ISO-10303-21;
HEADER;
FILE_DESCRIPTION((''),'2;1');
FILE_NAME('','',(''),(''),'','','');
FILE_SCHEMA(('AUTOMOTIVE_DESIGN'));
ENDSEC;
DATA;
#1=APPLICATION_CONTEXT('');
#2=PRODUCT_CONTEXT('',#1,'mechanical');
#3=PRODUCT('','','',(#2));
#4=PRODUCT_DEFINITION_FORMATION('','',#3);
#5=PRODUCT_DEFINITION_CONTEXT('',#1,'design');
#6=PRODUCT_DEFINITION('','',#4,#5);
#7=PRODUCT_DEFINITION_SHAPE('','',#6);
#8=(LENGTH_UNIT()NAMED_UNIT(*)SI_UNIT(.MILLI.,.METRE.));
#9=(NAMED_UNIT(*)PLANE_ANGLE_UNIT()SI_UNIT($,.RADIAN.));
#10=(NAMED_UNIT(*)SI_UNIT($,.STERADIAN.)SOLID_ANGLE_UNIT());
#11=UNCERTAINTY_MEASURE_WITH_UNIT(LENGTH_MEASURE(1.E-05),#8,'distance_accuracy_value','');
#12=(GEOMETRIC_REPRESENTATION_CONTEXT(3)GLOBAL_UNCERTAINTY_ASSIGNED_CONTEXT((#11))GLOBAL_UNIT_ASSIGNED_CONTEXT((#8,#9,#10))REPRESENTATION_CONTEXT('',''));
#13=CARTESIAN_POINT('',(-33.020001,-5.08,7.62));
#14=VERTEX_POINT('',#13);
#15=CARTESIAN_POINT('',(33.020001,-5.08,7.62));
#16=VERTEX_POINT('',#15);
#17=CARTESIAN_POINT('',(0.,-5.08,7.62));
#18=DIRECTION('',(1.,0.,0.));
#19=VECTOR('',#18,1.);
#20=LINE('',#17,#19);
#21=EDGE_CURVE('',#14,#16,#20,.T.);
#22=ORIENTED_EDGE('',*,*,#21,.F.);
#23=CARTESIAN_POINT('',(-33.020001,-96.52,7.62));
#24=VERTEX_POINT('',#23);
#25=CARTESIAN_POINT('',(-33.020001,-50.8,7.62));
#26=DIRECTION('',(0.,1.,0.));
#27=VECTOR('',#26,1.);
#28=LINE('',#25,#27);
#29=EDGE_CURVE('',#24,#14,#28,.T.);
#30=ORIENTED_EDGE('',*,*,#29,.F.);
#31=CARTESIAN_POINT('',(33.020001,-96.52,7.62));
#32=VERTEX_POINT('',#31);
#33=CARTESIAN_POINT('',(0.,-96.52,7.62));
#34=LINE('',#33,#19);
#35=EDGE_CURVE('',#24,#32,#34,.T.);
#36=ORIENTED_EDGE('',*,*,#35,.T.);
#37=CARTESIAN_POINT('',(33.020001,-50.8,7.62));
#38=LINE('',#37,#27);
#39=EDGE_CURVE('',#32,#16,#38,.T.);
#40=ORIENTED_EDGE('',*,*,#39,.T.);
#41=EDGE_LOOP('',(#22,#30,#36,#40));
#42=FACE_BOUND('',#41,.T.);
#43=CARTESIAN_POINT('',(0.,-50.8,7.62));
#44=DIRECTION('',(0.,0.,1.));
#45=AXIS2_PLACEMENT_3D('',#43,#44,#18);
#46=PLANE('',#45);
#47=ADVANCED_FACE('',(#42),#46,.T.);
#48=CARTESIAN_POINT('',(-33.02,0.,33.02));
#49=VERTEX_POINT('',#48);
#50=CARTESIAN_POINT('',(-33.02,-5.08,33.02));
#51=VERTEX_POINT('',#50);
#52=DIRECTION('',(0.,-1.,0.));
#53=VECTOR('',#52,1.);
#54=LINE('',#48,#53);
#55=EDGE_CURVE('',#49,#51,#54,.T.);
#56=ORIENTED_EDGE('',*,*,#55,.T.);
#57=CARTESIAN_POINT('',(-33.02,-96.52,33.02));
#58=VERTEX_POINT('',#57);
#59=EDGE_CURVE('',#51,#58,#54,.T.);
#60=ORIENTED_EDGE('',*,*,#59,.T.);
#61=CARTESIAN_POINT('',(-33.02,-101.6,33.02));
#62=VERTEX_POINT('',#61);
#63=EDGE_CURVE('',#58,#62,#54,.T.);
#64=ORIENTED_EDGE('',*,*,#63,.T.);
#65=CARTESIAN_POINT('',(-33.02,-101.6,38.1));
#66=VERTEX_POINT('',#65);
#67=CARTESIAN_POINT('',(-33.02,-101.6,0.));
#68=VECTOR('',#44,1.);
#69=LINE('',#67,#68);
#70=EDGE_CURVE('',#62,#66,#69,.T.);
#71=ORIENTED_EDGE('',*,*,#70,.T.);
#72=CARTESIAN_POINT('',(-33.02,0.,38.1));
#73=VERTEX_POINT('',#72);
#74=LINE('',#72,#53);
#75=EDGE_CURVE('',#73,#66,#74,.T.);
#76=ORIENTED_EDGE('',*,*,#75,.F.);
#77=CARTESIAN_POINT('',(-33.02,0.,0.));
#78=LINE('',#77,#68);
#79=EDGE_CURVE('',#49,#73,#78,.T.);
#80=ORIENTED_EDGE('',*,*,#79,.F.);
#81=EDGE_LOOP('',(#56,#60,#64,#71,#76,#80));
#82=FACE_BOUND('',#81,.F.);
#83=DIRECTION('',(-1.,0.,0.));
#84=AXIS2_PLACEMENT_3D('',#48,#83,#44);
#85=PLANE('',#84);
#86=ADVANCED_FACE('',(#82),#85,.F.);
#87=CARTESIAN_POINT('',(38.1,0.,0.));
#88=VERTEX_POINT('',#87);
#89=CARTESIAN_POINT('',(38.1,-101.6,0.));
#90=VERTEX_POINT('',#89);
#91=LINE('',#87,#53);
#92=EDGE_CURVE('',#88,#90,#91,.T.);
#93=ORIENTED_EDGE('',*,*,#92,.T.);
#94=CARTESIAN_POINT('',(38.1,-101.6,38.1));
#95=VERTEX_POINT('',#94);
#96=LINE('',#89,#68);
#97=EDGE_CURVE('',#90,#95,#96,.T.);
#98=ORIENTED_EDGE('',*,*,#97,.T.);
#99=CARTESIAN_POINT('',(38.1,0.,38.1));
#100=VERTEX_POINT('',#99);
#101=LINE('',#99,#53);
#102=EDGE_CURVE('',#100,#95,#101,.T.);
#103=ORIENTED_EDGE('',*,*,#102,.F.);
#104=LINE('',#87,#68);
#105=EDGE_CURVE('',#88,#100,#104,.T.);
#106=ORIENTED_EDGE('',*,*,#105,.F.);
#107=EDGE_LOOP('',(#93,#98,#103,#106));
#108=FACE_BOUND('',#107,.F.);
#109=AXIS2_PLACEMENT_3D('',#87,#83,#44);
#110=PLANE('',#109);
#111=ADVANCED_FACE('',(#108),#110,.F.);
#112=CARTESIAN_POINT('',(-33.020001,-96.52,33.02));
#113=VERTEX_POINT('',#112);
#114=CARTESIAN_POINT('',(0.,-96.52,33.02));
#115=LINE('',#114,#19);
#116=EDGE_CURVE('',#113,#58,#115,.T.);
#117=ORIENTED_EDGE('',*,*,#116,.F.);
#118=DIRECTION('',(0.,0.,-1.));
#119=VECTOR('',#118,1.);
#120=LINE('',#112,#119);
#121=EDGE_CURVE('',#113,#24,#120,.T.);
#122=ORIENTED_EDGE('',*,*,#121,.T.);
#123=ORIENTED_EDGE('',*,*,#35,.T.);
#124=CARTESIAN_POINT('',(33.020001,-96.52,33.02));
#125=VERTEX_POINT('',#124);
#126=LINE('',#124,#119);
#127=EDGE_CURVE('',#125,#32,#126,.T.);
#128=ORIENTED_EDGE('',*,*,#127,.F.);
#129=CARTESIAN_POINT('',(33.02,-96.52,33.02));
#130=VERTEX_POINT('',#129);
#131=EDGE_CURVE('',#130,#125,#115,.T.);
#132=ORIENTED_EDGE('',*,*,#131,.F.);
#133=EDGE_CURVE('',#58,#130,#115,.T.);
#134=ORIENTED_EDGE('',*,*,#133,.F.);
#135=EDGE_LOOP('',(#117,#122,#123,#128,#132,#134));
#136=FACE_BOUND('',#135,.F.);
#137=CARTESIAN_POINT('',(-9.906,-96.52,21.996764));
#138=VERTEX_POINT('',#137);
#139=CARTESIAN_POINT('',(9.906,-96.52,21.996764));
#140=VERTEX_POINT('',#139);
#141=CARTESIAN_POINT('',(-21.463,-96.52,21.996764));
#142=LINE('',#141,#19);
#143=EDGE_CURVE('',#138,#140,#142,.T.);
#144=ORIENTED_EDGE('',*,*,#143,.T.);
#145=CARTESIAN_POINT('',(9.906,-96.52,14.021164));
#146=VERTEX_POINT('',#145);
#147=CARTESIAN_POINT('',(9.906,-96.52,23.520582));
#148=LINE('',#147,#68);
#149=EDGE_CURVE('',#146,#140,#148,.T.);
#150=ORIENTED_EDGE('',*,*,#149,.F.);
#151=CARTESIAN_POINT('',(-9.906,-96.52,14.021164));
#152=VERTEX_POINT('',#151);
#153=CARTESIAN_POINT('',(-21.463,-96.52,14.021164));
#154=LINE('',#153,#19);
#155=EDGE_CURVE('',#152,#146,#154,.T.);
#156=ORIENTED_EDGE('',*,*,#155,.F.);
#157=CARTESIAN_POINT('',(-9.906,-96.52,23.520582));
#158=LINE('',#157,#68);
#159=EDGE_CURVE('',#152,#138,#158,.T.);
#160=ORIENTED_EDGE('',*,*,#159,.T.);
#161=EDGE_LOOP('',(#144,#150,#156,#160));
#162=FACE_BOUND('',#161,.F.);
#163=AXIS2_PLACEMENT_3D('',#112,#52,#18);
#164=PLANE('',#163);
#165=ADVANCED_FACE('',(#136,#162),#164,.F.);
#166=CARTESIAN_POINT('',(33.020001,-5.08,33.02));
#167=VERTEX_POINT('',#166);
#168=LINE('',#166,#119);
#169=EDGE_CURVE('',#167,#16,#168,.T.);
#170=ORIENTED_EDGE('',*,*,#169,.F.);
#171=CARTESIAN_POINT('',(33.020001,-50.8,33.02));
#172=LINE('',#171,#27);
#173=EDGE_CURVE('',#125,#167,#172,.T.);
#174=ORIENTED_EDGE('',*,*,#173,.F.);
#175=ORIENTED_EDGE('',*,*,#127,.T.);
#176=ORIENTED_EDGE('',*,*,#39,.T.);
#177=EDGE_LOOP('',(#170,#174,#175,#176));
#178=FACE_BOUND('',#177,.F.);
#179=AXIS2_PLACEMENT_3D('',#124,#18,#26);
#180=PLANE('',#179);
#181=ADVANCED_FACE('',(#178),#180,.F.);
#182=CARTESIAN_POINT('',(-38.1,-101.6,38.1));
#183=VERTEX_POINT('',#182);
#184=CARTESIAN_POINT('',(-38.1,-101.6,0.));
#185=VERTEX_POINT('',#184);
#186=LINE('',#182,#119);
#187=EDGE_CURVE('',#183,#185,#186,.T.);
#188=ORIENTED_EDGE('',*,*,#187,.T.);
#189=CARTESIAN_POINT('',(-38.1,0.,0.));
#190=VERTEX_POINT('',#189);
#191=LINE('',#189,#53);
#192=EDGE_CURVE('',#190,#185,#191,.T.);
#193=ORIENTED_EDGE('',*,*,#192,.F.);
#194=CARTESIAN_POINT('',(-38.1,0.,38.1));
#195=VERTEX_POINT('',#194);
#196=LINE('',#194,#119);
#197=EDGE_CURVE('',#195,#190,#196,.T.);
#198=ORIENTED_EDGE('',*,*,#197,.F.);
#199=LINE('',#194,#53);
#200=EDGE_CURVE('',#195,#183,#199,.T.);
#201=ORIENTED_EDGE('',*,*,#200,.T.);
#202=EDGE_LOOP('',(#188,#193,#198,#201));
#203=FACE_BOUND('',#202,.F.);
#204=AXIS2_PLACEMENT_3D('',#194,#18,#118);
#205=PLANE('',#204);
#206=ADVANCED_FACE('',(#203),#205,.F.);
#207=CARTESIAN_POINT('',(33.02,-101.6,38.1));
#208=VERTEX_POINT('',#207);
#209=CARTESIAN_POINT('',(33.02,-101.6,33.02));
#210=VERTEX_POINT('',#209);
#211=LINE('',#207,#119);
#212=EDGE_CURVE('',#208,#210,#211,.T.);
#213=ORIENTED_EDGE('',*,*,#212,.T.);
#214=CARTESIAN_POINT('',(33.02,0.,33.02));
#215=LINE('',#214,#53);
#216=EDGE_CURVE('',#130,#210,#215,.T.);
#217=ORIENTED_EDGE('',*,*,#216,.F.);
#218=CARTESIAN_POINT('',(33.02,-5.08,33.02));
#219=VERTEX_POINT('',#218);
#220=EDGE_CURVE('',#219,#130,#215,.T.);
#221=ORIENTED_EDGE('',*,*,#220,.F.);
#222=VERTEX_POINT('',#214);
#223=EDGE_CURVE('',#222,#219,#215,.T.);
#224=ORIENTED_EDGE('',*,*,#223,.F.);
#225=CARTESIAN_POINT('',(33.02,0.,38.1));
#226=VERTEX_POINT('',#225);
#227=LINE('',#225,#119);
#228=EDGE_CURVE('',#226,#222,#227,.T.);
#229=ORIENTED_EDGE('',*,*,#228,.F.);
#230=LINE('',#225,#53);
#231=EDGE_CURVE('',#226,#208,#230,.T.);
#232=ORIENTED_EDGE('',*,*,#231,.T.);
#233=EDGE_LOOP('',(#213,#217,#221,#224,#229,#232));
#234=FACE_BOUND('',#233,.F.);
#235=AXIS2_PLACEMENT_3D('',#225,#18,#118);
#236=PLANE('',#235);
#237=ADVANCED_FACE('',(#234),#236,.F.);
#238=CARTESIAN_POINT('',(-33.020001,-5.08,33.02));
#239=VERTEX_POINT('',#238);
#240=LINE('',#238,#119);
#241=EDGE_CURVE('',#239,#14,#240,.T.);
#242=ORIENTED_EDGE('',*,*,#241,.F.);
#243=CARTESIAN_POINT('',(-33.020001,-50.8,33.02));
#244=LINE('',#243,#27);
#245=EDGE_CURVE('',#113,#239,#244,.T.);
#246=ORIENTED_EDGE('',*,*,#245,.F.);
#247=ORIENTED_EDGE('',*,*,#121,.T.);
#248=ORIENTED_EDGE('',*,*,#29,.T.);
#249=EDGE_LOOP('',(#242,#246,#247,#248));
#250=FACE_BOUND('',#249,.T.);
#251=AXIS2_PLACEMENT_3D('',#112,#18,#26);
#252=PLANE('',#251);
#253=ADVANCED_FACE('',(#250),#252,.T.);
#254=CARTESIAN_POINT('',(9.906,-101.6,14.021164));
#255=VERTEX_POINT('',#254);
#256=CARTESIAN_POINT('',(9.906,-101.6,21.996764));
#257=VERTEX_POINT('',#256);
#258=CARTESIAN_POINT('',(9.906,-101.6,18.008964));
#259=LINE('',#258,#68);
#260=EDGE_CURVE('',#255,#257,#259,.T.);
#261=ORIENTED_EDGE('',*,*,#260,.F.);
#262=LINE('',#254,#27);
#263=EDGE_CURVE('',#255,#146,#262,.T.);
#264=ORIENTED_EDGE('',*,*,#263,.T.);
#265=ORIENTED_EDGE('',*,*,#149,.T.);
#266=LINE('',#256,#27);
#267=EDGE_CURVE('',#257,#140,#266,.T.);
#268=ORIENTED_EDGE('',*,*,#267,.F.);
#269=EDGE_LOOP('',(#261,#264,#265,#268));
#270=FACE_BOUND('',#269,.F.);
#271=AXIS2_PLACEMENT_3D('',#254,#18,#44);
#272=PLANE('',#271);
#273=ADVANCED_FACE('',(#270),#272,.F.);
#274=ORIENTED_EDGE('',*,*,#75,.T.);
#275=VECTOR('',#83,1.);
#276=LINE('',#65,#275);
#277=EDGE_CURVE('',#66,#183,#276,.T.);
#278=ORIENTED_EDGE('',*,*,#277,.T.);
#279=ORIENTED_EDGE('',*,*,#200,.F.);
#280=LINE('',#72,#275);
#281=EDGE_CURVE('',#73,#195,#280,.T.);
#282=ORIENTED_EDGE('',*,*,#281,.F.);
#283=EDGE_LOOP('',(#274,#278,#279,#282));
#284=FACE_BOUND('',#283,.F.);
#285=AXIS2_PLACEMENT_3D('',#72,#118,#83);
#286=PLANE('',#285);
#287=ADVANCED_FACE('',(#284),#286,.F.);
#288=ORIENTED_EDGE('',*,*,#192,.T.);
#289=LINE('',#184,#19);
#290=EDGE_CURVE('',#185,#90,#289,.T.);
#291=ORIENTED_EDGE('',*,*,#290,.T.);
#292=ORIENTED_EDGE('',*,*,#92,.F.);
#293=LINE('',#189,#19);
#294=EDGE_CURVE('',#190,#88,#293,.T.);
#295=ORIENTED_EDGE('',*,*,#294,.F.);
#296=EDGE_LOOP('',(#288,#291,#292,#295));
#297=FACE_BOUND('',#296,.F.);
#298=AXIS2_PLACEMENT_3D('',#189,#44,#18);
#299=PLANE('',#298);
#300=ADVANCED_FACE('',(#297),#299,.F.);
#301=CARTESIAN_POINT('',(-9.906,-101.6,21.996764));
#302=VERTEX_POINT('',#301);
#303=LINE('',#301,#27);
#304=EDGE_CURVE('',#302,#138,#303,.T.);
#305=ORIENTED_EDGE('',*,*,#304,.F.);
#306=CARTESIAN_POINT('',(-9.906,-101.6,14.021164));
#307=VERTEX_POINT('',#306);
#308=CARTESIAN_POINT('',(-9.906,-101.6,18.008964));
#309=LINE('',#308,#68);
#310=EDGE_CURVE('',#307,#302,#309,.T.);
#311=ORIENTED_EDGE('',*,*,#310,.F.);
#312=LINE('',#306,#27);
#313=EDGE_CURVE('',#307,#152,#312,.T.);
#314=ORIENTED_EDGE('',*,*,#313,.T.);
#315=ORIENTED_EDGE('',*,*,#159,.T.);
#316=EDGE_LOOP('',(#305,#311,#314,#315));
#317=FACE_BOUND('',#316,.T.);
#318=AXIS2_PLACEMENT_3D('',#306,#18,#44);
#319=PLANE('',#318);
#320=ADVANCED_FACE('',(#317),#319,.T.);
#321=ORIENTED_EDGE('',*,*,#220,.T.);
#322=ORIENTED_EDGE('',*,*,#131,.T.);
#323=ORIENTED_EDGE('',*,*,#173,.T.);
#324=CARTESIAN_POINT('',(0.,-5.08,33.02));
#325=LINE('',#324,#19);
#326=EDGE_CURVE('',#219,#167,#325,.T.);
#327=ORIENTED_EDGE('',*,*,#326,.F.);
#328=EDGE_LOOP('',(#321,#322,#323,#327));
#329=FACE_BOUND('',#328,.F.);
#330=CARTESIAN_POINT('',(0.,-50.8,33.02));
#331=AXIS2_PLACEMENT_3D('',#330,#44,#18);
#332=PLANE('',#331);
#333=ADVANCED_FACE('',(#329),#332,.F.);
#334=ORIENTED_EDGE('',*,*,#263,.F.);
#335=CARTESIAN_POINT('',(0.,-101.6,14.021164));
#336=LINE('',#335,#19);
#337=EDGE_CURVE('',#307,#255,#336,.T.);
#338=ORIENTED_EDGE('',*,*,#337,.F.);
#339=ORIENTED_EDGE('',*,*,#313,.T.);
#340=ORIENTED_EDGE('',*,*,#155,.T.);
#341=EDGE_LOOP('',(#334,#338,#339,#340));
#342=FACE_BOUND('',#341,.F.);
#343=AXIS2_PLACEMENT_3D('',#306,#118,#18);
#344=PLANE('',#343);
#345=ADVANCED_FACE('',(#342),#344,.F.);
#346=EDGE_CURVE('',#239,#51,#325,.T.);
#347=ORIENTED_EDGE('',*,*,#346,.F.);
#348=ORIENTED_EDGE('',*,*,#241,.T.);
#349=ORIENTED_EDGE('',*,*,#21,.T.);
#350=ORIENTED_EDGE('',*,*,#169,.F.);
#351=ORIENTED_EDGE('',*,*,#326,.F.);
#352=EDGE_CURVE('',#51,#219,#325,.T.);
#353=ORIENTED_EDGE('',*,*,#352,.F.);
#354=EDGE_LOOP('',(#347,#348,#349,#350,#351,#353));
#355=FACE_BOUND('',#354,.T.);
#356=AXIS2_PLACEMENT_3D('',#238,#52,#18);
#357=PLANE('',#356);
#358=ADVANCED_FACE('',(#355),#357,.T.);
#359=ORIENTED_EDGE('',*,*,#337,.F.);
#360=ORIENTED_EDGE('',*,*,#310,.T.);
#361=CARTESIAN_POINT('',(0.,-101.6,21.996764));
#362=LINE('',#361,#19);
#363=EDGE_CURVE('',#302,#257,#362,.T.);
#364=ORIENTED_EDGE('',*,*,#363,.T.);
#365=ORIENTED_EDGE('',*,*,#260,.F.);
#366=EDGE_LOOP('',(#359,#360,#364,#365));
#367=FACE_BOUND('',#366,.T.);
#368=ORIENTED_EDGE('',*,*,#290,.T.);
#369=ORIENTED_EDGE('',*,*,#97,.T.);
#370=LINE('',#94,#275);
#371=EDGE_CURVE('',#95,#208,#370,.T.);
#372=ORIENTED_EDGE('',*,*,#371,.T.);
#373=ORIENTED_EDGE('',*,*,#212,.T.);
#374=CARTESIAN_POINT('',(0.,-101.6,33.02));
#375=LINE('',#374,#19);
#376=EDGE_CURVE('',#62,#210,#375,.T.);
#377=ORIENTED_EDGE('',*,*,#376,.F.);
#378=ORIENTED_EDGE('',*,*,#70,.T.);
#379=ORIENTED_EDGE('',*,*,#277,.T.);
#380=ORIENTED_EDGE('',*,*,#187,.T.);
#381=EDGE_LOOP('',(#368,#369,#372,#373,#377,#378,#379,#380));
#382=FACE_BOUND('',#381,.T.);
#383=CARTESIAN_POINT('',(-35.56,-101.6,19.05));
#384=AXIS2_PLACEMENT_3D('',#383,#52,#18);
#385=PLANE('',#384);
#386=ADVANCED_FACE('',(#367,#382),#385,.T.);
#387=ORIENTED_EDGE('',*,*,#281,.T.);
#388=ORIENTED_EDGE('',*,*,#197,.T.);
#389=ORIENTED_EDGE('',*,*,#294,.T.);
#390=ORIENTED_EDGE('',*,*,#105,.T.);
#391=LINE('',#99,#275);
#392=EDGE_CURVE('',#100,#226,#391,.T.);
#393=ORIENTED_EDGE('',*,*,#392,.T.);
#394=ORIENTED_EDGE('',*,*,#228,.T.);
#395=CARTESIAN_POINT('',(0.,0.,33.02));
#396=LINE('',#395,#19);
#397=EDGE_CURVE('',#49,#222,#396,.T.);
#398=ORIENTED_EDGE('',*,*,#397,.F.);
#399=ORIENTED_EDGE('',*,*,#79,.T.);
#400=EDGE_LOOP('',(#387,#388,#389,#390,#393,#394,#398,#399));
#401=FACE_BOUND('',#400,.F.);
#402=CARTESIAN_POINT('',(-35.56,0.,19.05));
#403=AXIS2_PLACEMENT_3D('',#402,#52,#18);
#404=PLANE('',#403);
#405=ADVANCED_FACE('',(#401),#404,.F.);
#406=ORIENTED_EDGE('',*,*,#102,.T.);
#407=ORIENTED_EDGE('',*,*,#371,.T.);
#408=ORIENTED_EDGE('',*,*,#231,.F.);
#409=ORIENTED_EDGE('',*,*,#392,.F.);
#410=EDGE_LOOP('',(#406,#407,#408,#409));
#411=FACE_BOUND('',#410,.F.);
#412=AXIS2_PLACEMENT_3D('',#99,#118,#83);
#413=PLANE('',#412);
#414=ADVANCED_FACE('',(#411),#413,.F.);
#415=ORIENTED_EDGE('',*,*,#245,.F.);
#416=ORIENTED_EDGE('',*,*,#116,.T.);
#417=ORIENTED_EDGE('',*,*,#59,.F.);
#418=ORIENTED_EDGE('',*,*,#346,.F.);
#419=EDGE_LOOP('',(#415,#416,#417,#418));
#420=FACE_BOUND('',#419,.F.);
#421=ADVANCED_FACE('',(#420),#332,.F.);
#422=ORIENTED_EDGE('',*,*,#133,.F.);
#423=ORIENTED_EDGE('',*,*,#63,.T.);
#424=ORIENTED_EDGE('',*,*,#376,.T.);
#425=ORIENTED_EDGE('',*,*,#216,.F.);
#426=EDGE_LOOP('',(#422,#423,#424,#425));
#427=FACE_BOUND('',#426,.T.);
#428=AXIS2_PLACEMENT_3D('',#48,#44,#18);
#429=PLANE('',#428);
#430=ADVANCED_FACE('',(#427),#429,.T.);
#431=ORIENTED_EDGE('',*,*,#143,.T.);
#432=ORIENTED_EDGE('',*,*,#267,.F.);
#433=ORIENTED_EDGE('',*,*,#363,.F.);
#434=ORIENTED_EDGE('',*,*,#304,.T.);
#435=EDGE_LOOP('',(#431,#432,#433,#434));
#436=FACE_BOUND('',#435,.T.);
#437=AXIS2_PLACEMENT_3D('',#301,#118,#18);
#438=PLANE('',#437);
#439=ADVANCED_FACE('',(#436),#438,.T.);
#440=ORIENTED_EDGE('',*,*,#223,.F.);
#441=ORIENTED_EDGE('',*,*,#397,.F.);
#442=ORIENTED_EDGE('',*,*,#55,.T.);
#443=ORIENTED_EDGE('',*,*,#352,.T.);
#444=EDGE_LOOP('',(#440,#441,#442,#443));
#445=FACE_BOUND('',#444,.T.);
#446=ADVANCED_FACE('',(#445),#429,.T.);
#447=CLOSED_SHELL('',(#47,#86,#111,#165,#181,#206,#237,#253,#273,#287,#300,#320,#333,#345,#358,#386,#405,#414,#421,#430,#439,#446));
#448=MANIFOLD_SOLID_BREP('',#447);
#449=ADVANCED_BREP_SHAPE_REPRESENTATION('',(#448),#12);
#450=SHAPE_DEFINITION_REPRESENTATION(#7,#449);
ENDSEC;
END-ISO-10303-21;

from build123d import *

# Parameters (mm, degrees)
F0_W     = 66.04
F0_H     = 27.94
F1_DEPTH = 101.6
F2_W     = 66.040002
F2_H     = 91.44
F3_DEPTH = 25.4
F4_W     = 19.812
F4_H     = 7.9756
F5_DEPTH = 12.7


with BuildPart() as f1:
    # F0 (on Front) → F1 (new body)
    with BuildSketch(Plane.XZ):
        Polygon((-38.1, 0), (-33.02, 0), (-33.02, 5.08), (-33.02, 33.02), (-33.02, 38.1), (-38.1, 38.1), align=None)
        Polygon((-33.02, 0), (0, 0), (33.02, 0), (33.02, 5.08), (-33.02, 5.08), align=None)
        Polygon((33.02, 5.08), (33.02, 0), (38.1, 0), (38.1, 38.1), (33.02, 38.1), (33.02, 33.02), align=None)
        with Locations((0, 19.05)):
            Rectangle(F0_W, F0_H)
    extrude(amount=F1_DEPTH)

    # F2 (on face) → F3 (cut)
    with BuildSketch(Plane.XY.offset(33.02)):
        with Locations((0, -50.8)):
            Rectangle(F2_W, F2_H)
    extrude(amount=-F3_DEPTH, mode=Mode.SUBTRACT)

    # F4 (on face) → F5 (cut)
    with BuildSketch(Plane.XZ.offset(101.6)):
        with Locations((0, 18.008964)):
            Rectangle(F4_W, F4_H)
    extrude(amount=-F5_DEPTH, mode=Mode.SUBTRACT)


solid = f1.part
